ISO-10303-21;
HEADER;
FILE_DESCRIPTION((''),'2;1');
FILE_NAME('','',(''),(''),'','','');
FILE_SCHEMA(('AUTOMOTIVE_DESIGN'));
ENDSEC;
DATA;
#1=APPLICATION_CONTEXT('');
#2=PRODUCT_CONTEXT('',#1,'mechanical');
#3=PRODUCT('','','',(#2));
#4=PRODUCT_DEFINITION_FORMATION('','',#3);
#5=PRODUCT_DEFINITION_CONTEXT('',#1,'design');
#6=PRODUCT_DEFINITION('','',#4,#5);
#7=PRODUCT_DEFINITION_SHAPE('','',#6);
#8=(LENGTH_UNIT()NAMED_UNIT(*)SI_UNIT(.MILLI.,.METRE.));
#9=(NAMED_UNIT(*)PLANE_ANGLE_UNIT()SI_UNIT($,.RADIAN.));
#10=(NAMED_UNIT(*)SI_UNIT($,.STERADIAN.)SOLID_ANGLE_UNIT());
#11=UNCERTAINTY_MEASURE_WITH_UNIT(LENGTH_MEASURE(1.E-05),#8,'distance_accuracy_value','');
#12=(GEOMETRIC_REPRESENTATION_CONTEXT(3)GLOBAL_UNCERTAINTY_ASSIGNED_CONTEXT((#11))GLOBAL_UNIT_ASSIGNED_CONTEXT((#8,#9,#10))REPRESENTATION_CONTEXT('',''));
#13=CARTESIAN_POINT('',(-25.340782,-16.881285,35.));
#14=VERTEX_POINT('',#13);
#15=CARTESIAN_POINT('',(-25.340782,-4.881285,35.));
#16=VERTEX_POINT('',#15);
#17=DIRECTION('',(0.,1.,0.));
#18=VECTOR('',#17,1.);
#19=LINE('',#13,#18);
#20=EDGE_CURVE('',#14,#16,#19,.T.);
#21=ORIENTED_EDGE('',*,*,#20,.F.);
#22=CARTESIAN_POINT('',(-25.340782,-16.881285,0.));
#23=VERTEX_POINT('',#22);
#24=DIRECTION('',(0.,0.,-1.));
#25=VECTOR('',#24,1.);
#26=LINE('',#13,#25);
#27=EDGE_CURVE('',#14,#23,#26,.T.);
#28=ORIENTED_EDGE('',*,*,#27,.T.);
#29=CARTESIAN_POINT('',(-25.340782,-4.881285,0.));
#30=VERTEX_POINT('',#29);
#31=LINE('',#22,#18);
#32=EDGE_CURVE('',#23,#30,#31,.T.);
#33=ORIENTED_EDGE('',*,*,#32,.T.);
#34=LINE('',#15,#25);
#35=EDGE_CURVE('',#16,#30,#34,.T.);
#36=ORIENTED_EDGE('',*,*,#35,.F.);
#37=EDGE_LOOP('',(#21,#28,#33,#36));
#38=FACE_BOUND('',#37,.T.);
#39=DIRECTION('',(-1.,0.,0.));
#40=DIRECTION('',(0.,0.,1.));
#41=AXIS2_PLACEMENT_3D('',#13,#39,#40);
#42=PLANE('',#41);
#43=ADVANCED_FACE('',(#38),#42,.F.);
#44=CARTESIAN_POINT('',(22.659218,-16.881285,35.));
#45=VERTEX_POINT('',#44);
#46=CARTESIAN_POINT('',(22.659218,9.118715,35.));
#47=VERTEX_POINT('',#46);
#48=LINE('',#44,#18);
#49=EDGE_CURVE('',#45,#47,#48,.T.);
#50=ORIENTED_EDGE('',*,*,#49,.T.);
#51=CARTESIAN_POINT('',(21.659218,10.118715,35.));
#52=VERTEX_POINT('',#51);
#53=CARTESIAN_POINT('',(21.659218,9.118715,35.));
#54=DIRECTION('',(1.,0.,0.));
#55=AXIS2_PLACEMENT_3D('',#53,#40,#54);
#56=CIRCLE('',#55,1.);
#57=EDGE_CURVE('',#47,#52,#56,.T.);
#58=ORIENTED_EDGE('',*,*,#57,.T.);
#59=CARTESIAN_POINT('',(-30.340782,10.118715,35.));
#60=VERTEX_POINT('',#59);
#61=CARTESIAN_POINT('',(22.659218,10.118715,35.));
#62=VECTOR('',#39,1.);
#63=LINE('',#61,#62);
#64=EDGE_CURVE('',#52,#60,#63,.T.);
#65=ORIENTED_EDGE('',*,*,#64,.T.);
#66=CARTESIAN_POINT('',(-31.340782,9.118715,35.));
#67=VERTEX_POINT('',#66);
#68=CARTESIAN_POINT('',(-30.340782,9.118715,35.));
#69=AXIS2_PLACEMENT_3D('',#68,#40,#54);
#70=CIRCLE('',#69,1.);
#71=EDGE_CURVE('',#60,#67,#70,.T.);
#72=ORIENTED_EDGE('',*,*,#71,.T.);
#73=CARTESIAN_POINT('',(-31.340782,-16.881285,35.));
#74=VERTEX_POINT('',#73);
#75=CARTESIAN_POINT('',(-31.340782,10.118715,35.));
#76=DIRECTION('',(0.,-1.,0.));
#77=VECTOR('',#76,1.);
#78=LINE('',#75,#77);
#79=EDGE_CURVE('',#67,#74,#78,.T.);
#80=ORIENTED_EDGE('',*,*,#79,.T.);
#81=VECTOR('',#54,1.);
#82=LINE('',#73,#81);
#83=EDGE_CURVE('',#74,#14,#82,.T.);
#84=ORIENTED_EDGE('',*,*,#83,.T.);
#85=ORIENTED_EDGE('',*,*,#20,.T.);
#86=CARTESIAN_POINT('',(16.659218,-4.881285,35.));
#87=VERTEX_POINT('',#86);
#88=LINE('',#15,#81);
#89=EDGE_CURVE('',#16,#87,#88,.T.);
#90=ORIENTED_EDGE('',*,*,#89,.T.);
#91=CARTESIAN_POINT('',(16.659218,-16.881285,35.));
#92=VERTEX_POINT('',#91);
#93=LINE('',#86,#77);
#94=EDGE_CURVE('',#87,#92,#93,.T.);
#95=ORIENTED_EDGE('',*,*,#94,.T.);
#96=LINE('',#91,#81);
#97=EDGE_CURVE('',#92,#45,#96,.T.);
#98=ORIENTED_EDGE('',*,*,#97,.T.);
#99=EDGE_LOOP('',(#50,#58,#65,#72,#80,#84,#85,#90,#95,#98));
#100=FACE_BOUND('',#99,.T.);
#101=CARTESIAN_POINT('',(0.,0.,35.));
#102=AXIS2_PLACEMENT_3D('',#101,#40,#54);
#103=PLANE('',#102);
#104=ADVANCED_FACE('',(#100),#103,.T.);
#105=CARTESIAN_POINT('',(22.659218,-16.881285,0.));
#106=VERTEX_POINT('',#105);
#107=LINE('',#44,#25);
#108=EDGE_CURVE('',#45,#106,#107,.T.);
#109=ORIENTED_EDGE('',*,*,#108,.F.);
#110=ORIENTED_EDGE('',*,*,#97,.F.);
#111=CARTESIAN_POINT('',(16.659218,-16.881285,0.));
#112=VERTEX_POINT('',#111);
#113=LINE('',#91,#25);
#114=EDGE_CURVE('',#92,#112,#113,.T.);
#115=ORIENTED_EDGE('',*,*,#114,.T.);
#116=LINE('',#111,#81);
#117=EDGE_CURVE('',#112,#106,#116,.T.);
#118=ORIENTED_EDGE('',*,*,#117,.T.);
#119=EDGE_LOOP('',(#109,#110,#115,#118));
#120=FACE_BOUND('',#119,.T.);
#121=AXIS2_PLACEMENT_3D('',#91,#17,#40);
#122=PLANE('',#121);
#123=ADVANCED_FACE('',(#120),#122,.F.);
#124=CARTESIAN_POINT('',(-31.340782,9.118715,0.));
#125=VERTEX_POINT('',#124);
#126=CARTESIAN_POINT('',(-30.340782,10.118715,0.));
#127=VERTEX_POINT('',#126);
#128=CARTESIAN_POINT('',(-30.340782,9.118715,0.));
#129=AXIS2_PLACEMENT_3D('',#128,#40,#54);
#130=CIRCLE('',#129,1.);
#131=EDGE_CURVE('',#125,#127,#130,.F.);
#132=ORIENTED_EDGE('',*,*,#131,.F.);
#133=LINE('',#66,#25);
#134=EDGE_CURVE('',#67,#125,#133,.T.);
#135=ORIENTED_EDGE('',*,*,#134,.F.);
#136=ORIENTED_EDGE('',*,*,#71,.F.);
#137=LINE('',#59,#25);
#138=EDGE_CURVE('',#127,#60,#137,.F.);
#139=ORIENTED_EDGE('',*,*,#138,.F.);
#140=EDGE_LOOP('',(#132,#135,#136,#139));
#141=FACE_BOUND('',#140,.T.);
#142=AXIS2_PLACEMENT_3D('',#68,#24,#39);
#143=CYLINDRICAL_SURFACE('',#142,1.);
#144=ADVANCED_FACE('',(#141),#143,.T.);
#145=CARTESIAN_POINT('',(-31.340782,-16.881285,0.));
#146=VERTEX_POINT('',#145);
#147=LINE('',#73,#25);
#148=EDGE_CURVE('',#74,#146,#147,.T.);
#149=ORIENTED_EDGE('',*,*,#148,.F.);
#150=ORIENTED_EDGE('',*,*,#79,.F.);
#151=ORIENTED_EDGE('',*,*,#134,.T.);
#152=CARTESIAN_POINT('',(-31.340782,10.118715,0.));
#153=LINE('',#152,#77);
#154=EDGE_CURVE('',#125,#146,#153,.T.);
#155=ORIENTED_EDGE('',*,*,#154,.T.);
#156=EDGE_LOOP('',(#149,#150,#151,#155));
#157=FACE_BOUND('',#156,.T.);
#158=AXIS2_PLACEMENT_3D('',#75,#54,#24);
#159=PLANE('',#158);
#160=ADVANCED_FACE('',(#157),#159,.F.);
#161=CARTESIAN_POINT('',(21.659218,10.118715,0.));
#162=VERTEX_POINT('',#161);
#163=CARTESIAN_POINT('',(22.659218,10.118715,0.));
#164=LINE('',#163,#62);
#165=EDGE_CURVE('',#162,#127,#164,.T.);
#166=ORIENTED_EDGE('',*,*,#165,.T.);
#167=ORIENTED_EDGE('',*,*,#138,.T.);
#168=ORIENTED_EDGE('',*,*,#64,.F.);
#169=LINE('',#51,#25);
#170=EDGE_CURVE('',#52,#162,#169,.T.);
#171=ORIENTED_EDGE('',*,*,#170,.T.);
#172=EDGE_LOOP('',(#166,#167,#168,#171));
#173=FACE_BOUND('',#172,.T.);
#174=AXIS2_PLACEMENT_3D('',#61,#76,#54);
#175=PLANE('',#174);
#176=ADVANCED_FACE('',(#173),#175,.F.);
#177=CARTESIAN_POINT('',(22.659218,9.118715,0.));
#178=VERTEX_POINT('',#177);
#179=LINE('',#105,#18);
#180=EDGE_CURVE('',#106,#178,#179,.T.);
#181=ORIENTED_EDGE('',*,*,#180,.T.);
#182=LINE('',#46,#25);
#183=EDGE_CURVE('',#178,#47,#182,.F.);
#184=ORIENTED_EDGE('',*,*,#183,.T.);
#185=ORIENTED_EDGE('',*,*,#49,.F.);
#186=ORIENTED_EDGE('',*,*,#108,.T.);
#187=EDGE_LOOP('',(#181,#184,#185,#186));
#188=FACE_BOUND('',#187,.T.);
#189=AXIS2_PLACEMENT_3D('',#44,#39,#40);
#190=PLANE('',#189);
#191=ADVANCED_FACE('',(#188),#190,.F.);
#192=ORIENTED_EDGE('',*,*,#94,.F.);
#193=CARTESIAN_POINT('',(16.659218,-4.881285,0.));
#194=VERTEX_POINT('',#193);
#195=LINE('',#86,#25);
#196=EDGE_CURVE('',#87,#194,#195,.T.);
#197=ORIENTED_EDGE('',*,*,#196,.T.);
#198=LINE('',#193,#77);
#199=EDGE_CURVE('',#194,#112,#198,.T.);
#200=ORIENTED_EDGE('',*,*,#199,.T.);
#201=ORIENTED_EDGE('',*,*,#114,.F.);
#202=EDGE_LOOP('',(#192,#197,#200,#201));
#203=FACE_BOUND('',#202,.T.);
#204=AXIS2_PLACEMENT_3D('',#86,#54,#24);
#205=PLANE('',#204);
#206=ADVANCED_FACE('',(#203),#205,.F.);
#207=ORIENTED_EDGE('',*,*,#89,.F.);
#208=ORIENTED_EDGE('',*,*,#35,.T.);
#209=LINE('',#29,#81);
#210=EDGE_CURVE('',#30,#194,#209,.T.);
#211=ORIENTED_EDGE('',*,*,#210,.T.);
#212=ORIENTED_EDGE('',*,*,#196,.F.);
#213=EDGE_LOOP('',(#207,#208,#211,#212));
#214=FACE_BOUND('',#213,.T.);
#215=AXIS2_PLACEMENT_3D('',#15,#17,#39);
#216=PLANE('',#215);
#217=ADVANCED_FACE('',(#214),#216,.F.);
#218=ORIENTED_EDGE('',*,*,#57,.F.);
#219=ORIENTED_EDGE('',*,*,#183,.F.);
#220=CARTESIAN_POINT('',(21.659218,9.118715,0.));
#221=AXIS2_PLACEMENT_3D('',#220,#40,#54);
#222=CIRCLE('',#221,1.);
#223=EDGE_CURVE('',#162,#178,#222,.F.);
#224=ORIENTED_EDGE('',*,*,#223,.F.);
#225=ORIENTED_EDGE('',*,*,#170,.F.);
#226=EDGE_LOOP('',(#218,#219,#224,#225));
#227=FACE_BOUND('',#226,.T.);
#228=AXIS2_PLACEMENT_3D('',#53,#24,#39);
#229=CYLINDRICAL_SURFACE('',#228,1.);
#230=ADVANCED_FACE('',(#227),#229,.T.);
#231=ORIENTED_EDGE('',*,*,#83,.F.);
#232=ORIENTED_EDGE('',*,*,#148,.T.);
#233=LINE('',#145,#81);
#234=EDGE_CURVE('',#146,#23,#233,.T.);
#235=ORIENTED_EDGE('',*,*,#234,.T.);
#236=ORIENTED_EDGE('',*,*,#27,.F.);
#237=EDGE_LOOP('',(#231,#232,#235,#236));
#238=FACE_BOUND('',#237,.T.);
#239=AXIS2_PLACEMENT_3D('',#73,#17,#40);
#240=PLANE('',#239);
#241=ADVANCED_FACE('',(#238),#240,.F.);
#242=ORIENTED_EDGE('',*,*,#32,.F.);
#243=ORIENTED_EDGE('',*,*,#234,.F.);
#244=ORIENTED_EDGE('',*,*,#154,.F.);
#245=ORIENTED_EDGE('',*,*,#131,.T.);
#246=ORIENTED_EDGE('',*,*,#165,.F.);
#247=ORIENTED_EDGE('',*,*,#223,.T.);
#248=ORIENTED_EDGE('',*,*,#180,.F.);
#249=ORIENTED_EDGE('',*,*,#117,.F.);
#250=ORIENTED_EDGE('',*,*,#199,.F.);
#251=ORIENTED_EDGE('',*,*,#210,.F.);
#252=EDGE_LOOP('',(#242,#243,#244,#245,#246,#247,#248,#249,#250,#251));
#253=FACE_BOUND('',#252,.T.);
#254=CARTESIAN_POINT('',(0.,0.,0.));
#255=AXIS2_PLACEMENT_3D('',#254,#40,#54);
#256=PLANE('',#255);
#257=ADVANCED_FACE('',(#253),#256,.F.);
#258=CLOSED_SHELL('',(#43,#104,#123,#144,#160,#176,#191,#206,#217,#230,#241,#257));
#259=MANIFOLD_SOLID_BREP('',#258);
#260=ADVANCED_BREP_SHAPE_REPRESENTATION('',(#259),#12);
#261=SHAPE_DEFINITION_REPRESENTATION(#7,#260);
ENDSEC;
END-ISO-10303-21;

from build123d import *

# Parameters (mm, degrees)
BOSS_EXTRUDE1_DEPTH = 35
FILLET1_R           = 1


with BuildPart() as part:
    # Sketch1 → Boss-Extrude1 (new body)
    with BuildSketch(Plane.XY):
        Polygon((-25.340782123, -16.881284916), (-25.340782123, -4.881284916), (16.659217877, -4.881284916), (16.659217877, -16.881284916), (22.659217877, -16.881284916), (22.659217877, 10.118715084), (-31.340782123, 10.118715084), (-31.340782123, -16.881284916), align=None)
    extrude(amount=BOSS_EXTRUDE1_DEPTH)

    # Fillet1
    fillet1_edges = [part.edges().sort_by_distance(p)[0] for p in [
        (-31.340782123, 10.118715084, 17.5),
        (22.659217877, 10.118715084, 17.5),
    ]]
    fillet(fillet1_edges, radius=FILLET1_R)


solid = part.part
